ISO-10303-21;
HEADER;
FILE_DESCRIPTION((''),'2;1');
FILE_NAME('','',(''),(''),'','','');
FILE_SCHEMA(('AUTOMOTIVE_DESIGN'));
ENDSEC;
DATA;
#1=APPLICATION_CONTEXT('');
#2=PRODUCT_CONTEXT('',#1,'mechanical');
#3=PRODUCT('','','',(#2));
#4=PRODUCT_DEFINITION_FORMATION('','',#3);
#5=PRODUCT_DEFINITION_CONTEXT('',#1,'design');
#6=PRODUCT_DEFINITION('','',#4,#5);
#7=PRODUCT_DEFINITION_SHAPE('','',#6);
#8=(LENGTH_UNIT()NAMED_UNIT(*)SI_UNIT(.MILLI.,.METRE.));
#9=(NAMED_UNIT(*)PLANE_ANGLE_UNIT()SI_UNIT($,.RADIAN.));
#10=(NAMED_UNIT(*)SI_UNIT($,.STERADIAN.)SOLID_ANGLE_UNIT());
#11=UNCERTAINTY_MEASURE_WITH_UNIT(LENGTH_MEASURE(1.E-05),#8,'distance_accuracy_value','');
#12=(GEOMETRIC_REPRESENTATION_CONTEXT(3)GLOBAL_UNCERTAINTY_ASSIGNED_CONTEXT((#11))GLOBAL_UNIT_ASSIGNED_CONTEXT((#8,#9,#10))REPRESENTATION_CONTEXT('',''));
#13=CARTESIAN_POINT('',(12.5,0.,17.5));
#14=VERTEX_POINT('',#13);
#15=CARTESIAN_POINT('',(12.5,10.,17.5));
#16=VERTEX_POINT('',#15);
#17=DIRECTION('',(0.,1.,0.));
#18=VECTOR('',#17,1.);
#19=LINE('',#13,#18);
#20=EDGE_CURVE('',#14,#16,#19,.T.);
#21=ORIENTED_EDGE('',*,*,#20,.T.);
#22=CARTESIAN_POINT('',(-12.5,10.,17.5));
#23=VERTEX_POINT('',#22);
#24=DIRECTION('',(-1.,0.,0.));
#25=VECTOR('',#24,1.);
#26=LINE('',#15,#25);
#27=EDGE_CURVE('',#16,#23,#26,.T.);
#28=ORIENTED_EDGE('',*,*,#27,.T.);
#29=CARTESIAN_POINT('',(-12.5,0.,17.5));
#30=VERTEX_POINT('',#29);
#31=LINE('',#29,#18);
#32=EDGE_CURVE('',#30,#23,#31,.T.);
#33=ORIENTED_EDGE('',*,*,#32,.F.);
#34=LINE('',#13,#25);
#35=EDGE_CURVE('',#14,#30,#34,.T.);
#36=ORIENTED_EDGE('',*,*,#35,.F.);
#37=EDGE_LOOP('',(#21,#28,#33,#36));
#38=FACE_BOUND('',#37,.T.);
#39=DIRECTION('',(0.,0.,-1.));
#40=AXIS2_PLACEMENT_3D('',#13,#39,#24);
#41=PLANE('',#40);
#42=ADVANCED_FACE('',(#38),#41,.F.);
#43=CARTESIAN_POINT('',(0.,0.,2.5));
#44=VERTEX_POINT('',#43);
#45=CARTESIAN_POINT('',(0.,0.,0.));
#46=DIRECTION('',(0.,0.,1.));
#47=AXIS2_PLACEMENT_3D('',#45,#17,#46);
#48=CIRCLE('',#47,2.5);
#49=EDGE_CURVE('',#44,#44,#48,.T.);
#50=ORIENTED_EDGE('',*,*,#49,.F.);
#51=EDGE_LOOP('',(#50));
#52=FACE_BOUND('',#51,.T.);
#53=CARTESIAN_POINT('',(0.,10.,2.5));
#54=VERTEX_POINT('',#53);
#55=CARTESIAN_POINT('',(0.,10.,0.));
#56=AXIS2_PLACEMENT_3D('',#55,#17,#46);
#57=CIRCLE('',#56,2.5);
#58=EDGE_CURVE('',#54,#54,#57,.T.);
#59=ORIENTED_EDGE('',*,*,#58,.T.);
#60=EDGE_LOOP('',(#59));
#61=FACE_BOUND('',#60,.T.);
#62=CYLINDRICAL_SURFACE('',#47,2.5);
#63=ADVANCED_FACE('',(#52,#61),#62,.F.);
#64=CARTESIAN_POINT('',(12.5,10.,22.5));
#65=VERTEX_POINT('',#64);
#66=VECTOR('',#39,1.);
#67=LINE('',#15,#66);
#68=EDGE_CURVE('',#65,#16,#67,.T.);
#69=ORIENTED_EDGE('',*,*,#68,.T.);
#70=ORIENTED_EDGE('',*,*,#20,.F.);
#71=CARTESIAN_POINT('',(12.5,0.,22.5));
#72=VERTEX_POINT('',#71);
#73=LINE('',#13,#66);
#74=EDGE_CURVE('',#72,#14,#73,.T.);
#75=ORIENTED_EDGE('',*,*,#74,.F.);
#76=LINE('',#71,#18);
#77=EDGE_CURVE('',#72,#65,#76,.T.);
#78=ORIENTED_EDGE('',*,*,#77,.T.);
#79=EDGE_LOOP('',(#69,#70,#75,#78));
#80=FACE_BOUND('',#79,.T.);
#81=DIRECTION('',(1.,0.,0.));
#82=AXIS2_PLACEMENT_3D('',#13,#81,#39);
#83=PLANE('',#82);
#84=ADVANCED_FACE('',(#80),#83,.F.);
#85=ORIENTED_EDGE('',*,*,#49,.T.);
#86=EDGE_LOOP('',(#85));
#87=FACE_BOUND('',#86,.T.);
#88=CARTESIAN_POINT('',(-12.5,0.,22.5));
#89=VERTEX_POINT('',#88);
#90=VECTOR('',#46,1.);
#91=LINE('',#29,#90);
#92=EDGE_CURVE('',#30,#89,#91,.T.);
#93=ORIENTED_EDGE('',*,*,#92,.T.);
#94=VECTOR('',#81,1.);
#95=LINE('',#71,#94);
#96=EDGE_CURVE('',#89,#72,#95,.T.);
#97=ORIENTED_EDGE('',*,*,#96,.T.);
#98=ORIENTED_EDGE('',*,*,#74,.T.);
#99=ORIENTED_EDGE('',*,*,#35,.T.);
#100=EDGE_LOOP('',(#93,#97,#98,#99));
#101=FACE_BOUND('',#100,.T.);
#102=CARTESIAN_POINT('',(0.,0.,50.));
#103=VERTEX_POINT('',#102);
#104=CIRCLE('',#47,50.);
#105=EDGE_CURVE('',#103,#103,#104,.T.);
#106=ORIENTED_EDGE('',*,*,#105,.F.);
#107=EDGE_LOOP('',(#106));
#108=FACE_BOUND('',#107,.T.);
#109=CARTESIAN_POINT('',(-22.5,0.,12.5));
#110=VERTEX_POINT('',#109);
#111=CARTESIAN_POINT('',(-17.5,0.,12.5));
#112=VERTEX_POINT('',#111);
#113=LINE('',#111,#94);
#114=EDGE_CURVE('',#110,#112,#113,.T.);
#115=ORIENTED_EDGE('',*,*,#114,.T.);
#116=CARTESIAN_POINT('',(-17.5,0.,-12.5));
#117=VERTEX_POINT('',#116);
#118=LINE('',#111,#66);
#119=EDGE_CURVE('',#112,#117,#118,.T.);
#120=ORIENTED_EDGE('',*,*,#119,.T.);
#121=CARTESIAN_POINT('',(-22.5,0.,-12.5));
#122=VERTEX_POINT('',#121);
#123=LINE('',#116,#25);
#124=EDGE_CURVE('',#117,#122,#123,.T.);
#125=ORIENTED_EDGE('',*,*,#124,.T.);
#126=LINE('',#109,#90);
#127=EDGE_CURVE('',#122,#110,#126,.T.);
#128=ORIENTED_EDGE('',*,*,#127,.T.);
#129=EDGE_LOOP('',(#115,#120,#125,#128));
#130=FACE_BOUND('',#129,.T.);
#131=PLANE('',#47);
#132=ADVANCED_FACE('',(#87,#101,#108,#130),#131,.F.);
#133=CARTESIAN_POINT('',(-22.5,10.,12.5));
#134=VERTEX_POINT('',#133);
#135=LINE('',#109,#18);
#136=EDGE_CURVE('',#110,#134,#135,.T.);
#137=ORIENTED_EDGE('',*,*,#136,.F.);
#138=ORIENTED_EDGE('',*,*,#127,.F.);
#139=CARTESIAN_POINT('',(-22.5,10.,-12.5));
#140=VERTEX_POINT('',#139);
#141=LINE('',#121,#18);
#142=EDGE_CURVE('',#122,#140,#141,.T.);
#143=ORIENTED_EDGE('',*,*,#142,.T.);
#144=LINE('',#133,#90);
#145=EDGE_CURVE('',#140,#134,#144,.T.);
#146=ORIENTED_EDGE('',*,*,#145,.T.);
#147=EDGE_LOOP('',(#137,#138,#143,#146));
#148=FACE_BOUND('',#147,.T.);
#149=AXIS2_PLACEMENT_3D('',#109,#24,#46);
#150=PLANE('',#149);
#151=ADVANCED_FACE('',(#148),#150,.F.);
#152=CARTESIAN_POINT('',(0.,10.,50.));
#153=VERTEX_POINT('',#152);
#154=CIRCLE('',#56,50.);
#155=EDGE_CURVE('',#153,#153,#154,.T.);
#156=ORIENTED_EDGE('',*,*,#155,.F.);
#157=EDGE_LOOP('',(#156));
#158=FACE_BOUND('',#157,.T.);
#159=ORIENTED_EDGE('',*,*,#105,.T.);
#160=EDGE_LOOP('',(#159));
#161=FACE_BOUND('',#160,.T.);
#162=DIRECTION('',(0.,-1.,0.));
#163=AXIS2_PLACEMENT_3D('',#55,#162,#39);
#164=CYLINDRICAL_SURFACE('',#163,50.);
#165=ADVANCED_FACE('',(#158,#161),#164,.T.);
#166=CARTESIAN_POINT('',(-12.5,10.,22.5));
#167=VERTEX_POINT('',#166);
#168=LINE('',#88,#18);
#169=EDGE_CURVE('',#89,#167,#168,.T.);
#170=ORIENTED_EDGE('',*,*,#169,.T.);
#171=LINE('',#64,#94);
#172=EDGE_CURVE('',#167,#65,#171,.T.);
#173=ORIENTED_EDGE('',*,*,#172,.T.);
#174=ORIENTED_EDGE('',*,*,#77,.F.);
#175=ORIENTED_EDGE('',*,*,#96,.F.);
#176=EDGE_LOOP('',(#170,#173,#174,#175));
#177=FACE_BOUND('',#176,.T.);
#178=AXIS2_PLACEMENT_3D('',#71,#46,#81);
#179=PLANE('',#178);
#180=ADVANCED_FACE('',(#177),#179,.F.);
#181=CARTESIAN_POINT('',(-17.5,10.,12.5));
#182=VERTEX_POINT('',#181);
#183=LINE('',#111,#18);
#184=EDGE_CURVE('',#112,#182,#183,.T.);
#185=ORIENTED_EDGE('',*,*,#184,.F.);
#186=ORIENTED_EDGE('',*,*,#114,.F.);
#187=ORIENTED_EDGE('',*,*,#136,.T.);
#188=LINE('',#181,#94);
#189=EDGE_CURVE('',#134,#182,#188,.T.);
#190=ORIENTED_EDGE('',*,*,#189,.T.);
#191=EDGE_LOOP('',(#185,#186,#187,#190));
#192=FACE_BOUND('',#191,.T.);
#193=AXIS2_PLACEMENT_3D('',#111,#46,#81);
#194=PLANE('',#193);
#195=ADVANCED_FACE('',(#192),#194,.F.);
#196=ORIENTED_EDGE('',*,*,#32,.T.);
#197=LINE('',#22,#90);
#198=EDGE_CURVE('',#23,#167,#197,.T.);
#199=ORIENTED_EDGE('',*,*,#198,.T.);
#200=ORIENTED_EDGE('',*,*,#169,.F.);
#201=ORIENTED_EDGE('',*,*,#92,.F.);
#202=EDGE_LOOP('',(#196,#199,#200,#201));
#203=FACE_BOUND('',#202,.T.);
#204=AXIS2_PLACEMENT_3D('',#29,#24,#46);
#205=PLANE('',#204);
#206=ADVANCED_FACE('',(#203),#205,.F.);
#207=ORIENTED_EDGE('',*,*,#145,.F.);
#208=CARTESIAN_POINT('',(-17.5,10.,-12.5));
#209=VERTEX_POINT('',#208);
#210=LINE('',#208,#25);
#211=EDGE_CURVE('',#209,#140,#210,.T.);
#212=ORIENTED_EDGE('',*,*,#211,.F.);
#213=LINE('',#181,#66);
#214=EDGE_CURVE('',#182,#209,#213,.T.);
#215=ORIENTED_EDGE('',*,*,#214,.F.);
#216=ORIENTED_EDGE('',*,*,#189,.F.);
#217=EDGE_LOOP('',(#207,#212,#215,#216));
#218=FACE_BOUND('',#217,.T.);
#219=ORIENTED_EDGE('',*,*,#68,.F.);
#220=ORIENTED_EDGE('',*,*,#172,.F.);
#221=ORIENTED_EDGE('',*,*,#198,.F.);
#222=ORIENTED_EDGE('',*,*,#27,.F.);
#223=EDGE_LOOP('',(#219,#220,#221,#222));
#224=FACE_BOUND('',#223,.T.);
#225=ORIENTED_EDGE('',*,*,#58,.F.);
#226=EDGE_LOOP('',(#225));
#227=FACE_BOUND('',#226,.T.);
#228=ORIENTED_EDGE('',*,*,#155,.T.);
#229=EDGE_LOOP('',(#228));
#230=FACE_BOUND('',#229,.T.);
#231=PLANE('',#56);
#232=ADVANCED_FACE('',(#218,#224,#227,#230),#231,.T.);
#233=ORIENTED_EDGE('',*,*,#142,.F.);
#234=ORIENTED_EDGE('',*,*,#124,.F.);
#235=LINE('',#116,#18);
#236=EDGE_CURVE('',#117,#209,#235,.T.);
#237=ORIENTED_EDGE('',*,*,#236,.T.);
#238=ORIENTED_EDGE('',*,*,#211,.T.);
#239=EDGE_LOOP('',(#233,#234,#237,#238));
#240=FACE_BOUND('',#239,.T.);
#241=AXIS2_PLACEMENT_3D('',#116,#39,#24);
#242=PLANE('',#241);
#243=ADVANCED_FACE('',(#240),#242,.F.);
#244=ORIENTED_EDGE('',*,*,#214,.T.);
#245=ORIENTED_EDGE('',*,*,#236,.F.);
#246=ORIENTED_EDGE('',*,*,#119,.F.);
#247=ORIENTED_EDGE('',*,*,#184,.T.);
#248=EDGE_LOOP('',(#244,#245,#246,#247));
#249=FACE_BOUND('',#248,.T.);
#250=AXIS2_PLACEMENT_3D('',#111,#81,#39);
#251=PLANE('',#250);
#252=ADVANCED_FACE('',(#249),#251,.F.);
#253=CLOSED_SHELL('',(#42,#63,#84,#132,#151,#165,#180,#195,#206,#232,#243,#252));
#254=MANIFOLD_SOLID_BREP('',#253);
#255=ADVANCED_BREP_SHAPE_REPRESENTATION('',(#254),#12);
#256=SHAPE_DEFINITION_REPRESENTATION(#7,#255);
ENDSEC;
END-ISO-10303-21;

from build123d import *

# Parameters (mm, degrees)
SKETCH1_R           = 50
BOSS_EXTRUDE1_DEPTH = 10
SKETCH2_R           = 2.5
SKETCH2_W           = 5
SKETCH2_H           = 25
SKETCH2_W_2         = 25
SKETCH2_H_2         = 5
CUT_EXTRUDE1_DEPTH  = 11


with BuildPart() as part:
    # Sketch1 → Boss-Extrude1 (new body)
    with BuildSketch(Plane(origin=(0, 0, 0), x_dir=(1, 0, 0), z_dir=(0, 1, 0))):
        Circle(SKETCH1_R)
    extrude(amount=BOSS_EXTRUDE1_DEPTH)

    # Sketch2 → Cut-Extrude1 (cut, through all)
    with BuildSketch(Plane(origin=(0, 10, 0), x_dir=(1, 0, 0), z_dir=(0, 1, 0))):
        Circle(SKETCH2_R)
        with Locations((-20, 0)):
            Rectangle(SKETCH2_W, SKETCH2_H)
        with Locations((0, -20)):
            Rectangle(SKETCH2_W_2, SKETCH2_H_2)
    extrude(amount=-CUT_EXTRUDE1_DEPTH, mode=Mode.SUBTRACT)


solid = part.part
